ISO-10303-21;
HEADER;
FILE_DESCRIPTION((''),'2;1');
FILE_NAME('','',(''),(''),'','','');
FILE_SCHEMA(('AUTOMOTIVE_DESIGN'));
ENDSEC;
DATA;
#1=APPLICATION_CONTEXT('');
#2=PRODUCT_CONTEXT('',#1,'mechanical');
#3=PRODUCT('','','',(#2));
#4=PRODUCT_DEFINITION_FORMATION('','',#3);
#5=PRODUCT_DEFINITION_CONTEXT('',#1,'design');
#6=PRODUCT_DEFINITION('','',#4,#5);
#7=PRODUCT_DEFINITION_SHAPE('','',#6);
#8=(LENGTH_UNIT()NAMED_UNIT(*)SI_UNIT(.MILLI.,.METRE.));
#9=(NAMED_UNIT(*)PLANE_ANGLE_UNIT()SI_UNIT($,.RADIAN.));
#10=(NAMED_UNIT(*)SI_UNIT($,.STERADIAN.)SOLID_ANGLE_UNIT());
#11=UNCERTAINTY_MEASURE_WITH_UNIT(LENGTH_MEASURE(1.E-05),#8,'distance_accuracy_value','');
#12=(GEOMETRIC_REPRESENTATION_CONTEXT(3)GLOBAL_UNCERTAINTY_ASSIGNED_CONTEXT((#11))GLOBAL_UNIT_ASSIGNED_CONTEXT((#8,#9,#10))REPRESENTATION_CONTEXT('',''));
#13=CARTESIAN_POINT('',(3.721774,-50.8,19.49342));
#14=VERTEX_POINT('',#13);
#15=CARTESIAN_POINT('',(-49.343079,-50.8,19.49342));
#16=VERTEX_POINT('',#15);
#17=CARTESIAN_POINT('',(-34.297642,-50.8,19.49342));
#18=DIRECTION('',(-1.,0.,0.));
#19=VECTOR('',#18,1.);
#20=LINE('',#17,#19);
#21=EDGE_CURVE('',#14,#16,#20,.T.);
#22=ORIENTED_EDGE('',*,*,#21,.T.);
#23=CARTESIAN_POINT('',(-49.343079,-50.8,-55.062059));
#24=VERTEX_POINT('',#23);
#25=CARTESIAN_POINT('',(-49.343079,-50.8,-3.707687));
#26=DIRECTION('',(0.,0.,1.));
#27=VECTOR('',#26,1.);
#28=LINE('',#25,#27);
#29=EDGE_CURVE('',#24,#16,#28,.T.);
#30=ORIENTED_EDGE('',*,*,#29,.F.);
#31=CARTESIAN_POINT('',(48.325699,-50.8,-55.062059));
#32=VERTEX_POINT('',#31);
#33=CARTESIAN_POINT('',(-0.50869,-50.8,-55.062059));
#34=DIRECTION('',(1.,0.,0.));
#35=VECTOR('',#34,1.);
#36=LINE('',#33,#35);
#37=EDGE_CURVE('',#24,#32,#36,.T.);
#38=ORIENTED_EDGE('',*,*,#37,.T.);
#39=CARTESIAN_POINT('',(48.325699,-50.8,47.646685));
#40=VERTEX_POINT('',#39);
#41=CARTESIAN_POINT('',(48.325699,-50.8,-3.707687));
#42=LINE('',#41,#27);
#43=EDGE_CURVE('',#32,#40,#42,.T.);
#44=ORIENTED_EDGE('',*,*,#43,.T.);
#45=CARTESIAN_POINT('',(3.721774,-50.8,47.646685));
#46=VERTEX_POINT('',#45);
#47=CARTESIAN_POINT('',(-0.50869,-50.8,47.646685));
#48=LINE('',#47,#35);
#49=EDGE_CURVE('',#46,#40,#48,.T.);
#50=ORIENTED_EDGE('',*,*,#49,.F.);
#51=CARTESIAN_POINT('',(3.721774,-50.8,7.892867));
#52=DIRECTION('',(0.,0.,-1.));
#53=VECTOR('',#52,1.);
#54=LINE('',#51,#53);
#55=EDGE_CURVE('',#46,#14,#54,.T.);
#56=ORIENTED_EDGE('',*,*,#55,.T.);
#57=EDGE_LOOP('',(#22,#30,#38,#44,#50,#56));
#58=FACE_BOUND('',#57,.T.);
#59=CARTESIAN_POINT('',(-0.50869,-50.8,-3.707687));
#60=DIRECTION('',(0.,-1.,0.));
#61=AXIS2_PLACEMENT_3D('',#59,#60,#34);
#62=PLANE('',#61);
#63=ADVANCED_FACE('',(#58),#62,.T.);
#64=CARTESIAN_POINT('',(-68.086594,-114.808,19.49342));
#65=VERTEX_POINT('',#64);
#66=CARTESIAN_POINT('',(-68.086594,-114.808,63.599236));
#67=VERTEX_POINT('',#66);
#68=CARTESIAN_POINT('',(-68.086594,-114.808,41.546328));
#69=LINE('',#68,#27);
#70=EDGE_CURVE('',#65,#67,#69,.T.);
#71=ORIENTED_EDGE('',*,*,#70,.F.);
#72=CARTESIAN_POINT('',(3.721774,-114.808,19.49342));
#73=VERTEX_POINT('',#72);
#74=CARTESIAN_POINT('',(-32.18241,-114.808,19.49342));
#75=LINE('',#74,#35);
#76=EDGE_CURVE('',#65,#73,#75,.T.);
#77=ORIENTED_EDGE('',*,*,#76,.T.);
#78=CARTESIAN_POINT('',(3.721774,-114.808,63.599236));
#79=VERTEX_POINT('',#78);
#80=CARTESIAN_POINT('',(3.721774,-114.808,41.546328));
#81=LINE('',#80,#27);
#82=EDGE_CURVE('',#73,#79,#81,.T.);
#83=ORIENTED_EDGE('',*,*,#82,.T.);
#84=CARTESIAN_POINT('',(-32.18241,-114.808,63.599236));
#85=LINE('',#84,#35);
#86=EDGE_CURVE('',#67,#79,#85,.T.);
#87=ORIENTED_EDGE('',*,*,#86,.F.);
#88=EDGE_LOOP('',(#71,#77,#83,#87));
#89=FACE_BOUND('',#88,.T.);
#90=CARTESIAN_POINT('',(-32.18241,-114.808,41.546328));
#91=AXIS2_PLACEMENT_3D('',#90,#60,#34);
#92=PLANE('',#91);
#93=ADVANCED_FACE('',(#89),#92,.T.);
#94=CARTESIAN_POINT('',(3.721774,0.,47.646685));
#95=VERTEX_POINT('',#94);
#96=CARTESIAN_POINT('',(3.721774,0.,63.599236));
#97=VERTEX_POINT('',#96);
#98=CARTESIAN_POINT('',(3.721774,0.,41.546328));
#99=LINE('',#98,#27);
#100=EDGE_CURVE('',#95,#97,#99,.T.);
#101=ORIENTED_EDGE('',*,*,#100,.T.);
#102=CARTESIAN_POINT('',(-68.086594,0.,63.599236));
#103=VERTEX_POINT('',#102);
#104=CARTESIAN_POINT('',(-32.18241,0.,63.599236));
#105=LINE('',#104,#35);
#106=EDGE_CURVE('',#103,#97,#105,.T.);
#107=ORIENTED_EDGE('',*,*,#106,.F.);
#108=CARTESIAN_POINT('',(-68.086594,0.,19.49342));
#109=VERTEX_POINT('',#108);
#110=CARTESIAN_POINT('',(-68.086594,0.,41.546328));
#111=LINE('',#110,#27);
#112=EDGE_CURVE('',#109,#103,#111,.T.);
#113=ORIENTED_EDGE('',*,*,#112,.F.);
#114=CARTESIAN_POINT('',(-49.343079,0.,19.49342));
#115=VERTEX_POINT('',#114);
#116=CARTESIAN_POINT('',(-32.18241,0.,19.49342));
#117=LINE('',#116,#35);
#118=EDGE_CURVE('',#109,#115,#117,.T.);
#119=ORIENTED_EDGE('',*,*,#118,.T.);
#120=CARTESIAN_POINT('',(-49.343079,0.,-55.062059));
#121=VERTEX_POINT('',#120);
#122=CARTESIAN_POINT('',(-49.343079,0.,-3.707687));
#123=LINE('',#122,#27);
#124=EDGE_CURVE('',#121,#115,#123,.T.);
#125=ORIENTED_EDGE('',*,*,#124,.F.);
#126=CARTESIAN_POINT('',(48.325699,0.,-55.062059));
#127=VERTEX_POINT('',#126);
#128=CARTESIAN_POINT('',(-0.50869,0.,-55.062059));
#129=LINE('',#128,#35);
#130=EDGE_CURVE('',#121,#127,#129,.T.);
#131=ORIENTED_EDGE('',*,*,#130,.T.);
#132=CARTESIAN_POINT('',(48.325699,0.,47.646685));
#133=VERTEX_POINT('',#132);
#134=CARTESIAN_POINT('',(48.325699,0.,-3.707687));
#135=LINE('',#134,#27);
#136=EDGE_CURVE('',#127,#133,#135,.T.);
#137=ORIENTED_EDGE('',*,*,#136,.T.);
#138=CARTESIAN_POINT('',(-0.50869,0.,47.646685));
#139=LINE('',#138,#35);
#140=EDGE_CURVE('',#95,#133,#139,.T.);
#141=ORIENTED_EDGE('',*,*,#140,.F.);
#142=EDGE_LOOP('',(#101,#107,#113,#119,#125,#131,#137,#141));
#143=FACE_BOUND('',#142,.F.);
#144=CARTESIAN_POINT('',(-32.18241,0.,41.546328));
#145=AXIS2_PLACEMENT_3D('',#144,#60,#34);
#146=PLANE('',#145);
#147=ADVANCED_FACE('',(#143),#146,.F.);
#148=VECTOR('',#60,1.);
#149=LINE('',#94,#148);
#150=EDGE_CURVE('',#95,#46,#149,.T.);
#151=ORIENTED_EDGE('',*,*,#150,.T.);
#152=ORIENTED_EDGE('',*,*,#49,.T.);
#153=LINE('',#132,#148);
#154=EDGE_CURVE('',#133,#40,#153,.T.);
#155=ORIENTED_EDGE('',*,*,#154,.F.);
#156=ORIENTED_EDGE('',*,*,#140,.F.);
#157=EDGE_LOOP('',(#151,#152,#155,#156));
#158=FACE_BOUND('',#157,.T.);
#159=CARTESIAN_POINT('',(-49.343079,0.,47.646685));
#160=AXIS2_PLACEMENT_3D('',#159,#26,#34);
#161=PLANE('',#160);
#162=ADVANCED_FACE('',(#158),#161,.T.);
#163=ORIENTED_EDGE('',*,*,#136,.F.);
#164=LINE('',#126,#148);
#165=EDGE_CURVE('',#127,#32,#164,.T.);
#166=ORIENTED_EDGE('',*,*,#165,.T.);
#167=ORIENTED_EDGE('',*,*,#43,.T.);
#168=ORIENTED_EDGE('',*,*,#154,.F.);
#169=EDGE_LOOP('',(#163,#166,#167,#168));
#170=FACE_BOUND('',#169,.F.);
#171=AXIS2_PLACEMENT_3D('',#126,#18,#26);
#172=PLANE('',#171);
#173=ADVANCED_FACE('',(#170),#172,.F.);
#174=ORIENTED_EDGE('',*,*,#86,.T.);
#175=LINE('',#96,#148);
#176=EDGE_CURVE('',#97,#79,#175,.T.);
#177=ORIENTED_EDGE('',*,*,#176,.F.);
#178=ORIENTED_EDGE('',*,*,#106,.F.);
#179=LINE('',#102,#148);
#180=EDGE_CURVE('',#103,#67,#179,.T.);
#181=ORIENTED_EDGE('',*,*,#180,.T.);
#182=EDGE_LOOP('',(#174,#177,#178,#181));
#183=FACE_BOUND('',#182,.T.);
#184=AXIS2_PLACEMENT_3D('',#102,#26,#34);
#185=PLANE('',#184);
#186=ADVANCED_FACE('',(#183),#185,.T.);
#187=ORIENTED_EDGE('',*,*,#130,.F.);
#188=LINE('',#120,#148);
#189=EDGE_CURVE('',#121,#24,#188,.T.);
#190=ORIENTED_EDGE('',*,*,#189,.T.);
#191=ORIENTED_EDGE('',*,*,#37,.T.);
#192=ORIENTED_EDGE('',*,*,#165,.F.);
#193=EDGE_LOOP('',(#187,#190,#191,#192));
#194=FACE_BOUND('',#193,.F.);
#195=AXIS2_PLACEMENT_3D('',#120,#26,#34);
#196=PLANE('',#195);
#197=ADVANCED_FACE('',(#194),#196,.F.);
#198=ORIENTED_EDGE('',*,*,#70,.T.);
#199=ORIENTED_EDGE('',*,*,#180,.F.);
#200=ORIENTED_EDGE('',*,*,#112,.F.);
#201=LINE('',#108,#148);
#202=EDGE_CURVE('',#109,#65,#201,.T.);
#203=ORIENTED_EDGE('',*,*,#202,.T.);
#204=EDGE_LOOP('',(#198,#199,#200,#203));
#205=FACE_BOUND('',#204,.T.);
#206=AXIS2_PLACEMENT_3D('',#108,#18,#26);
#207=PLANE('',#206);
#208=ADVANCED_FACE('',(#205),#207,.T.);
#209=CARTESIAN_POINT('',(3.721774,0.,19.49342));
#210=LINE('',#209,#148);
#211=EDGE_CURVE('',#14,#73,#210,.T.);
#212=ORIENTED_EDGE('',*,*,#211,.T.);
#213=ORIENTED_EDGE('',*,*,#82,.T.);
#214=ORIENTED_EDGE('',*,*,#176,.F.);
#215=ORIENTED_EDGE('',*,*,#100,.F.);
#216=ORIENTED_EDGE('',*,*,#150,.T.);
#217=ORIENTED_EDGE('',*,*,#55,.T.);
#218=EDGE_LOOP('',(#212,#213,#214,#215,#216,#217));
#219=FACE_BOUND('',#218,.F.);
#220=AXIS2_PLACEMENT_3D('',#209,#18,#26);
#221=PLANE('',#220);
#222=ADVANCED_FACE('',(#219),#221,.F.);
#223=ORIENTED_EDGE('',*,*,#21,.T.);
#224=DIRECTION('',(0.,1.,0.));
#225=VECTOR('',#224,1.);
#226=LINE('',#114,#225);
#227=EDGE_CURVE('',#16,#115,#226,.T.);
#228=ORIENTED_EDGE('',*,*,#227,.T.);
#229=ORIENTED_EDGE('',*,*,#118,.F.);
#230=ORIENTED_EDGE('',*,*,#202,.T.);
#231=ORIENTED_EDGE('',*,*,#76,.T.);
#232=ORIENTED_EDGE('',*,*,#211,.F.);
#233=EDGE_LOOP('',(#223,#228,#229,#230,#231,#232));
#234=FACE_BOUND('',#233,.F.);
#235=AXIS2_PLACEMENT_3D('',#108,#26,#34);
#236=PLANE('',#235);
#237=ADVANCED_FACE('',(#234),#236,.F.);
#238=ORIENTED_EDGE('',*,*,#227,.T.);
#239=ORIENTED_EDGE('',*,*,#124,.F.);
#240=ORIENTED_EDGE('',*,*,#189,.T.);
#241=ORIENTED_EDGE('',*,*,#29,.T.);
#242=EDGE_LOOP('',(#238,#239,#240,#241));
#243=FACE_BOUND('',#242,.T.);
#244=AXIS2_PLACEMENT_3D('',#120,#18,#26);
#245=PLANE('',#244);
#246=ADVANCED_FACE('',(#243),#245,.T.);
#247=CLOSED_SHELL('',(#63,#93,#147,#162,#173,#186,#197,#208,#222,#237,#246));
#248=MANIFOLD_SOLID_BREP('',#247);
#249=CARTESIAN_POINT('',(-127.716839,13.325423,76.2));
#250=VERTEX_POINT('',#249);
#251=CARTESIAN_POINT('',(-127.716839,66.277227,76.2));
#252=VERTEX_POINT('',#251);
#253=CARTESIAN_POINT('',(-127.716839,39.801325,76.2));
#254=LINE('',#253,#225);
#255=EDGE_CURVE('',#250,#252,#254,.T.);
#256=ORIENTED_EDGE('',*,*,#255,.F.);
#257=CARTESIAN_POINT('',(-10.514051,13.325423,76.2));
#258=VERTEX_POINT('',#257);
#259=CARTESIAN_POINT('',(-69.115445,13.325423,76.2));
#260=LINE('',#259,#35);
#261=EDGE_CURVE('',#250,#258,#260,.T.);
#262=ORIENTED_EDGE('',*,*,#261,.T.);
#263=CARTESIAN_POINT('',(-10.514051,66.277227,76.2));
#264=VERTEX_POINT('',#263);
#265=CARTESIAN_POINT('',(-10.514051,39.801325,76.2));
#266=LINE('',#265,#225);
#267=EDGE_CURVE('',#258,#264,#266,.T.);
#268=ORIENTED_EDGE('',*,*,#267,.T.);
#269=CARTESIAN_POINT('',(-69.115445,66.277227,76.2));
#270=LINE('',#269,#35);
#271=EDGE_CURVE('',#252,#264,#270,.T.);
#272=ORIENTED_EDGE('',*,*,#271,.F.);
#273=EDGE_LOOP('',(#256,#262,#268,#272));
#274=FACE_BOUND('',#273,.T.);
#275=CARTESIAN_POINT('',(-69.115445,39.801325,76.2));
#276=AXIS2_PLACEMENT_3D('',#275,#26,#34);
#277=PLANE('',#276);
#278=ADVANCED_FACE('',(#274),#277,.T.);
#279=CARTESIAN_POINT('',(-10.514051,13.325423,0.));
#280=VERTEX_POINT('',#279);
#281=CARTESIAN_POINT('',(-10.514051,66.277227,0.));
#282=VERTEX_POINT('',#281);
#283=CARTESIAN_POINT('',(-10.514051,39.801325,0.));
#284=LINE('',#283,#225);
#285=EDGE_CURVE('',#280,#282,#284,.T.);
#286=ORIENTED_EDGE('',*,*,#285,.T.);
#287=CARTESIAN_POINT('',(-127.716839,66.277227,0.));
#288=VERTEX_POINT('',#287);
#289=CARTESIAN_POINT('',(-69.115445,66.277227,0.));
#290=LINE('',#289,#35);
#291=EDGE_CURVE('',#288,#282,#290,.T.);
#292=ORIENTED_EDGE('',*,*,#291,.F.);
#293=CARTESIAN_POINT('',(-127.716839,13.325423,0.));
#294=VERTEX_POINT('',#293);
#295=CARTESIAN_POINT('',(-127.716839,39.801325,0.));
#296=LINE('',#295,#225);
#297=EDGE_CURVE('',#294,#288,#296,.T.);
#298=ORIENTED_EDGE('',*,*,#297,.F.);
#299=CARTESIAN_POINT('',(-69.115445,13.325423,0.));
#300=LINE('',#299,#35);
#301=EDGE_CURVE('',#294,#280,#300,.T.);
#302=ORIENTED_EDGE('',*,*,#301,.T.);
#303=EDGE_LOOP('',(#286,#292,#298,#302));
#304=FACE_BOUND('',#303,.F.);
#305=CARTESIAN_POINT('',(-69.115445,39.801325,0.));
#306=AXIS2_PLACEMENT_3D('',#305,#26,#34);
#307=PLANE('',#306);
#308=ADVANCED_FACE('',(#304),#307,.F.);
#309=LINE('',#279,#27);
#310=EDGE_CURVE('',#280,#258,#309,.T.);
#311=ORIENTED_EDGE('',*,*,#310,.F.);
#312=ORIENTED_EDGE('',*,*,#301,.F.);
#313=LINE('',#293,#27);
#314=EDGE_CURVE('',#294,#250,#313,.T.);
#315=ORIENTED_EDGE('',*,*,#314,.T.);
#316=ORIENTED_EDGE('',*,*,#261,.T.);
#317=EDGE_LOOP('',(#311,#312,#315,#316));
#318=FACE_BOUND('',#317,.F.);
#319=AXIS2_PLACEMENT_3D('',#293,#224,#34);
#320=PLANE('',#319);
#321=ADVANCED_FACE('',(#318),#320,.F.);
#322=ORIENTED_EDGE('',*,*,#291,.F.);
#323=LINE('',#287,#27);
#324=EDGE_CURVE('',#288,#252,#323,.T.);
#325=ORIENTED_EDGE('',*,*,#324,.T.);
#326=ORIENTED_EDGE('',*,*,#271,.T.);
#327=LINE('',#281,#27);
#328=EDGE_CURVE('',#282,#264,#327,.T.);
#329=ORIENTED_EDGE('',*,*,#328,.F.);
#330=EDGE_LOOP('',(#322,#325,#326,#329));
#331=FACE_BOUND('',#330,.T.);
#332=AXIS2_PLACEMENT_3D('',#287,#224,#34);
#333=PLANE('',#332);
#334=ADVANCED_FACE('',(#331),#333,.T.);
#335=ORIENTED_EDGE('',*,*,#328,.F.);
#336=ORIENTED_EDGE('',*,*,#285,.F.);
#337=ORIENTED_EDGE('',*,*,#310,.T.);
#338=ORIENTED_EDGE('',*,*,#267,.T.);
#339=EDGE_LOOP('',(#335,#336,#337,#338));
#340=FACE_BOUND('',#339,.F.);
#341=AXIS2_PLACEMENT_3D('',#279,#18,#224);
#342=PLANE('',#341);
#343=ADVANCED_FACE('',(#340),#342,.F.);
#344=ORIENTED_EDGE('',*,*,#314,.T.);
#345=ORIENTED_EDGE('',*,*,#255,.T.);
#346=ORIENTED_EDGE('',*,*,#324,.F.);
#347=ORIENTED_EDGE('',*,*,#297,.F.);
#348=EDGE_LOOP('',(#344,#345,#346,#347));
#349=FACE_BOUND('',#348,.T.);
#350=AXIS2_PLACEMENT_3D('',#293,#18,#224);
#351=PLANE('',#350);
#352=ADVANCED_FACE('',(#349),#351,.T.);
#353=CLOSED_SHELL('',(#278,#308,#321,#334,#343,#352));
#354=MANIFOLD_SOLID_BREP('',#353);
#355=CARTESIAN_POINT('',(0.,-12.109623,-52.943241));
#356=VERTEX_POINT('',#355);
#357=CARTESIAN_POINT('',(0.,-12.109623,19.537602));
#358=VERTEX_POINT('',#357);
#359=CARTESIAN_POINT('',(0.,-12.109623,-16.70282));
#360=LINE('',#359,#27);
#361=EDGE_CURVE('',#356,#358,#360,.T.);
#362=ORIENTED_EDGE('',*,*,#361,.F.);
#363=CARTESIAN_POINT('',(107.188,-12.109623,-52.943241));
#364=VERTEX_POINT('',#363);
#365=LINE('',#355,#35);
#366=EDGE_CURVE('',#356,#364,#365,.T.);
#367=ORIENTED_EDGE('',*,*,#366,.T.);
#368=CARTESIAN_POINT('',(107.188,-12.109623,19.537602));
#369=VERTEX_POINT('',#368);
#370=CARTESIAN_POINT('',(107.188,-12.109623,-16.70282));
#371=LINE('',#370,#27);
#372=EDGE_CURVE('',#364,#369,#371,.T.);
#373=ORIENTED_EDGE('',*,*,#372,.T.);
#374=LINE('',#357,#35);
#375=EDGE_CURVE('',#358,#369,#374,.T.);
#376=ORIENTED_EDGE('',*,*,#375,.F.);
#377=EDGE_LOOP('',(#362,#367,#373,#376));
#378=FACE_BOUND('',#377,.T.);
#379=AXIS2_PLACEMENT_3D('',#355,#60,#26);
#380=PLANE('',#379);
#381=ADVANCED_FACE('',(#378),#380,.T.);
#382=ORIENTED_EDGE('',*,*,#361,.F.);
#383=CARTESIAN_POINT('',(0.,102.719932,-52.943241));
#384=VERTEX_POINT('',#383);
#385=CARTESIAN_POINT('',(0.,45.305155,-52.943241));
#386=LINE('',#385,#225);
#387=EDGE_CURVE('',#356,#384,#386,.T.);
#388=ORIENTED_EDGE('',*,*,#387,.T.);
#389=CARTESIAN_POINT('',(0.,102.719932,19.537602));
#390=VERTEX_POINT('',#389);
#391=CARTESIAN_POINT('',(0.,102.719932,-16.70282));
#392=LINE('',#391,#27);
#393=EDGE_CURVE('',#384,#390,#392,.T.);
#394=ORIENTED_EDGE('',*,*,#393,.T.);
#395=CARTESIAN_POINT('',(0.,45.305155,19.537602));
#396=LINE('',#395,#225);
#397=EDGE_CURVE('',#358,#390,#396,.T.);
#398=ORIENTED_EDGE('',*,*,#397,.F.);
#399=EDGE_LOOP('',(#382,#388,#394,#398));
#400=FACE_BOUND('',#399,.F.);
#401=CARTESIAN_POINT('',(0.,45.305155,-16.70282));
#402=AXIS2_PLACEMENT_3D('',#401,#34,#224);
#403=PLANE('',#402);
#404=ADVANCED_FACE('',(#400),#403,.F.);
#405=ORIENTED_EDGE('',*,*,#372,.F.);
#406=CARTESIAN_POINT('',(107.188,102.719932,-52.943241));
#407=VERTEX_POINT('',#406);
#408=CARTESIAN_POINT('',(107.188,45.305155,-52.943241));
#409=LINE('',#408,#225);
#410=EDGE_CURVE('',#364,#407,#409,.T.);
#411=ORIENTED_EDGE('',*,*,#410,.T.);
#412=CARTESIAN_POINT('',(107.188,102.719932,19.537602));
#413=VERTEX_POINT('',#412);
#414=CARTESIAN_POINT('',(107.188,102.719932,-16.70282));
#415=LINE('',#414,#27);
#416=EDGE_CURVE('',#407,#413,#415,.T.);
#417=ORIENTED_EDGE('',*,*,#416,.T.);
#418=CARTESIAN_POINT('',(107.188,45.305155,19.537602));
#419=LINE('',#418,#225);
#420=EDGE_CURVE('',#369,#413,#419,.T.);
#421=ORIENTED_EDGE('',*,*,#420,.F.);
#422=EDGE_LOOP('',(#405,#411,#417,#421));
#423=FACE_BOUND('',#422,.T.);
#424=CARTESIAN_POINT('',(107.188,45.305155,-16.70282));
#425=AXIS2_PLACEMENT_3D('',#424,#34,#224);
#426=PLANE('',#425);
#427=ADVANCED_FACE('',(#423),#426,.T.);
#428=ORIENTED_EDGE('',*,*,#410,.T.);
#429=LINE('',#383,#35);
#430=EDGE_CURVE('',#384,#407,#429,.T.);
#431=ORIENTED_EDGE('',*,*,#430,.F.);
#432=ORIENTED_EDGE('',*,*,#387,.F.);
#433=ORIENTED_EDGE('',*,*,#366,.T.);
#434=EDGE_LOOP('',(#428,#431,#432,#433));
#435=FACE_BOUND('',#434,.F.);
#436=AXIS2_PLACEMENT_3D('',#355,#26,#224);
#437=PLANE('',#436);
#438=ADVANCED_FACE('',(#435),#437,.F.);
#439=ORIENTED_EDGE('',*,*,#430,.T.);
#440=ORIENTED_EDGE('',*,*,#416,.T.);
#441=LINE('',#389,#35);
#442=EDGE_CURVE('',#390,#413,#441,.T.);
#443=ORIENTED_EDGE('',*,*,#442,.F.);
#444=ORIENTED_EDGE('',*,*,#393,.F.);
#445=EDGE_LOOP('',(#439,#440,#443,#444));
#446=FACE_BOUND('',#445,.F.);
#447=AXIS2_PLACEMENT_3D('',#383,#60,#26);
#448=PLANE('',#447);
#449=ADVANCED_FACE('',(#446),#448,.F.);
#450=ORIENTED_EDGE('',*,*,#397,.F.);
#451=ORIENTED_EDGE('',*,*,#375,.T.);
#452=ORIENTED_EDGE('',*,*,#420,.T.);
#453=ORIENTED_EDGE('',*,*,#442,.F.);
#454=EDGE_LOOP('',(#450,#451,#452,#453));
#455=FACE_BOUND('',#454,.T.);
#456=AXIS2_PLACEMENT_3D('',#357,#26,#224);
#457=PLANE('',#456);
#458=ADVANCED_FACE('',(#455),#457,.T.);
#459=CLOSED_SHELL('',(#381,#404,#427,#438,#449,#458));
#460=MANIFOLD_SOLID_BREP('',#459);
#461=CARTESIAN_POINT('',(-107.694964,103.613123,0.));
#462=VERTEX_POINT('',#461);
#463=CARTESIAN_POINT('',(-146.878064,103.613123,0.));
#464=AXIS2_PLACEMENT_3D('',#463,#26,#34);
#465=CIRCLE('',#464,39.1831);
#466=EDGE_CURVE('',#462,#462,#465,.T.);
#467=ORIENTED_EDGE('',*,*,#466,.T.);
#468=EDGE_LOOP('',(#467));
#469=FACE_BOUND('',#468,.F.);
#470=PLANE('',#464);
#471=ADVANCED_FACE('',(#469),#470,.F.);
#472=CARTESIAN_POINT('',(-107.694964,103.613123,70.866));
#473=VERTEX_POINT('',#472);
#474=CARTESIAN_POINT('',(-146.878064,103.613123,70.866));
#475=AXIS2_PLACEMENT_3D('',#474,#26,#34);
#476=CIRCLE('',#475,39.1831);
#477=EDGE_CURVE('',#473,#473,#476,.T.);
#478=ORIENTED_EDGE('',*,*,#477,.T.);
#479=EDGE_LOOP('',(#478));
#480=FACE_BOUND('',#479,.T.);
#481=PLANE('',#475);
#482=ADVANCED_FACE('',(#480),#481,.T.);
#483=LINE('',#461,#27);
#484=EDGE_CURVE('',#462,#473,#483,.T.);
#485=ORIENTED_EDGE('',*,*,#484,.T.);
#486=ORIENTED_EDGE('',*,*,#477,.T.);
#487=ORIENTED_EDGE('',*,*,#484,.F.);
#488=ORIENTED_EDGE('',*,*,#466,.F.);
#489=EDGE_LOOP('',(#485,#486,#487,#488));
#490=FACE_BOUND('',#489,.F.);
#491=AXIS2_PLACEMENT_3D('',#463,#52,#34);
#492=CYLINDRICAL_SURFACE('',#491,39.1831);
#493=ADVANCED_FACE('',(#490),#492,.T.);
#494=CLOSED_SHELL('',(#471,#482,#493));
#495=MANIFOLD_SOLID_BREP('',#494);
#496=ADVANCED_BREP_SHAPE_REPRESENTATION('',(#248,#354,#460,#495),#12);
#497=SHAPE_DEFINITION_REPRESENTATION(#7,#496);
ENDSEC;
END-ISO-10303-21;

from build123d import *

# Parameters (mm, degrees)
F0_W     = 97.668778
F0_H     = 102.708745
F1_DEPTH = 50.8
F2_W     = 71.808368
F2_H     = 44.105816
F4_DEPTH = 114.808
F3_W     = 117.202788
F3_H     = 52.951805
F5_DEPTH = 76.2
F6_W     = 114.829555
F6_H     = 72.480843
F7_DEPTH = 107.188
F8_R     = 39.1831
F9_DEPTH = 70.866


with BuildPart() as f1:
    # F0 (on Front) → F1 (new body)
    with BuildSketch(Plane.XZ):
        with Locations((-0.50869, -3.707687)):
            Rectangle(F0_W, F0_H)
    extrude(amount=F1_DEPTH)

    # F2 (on Front) → F4 (join)
    with BuildSketch(Plane.XZ):
        with Locations((-32.18241, 41.546328)):
            Rectangle(F2_W, F2_H)
    extrude(amount=F4_DEPTH)


with BuildPart() as f5:
    # F3 (on Top) → F5 (new body)
    with BuildSketch(Plane.XY):
        with Locations((-69.115445, 39.801325)):
            Rectangle(F3_W, F3_H)
    extrude(amount=F5_DEPTH)


with BuildPart() as f7:
    # F6 (on Right) → F7 (new body)
    with BuildSketch(Plane.YZ):
        with Locations((45.305155, -16.70282)):
            Rectangle(F6_W, F6_H)
    extrude(amount=F7_DEPTH)


with BuildPart() as f9:
    # F8 (on Top) → F9 (new body)
    with BuildSketch(Plane.XY):
        with Locations((-146.878064, 103.613123)):
            Circle(F8_R)
    extrude(amount=F9_DEPTH)


solid = Compound([f1.part, f5.part, f7.part, f9.part])
